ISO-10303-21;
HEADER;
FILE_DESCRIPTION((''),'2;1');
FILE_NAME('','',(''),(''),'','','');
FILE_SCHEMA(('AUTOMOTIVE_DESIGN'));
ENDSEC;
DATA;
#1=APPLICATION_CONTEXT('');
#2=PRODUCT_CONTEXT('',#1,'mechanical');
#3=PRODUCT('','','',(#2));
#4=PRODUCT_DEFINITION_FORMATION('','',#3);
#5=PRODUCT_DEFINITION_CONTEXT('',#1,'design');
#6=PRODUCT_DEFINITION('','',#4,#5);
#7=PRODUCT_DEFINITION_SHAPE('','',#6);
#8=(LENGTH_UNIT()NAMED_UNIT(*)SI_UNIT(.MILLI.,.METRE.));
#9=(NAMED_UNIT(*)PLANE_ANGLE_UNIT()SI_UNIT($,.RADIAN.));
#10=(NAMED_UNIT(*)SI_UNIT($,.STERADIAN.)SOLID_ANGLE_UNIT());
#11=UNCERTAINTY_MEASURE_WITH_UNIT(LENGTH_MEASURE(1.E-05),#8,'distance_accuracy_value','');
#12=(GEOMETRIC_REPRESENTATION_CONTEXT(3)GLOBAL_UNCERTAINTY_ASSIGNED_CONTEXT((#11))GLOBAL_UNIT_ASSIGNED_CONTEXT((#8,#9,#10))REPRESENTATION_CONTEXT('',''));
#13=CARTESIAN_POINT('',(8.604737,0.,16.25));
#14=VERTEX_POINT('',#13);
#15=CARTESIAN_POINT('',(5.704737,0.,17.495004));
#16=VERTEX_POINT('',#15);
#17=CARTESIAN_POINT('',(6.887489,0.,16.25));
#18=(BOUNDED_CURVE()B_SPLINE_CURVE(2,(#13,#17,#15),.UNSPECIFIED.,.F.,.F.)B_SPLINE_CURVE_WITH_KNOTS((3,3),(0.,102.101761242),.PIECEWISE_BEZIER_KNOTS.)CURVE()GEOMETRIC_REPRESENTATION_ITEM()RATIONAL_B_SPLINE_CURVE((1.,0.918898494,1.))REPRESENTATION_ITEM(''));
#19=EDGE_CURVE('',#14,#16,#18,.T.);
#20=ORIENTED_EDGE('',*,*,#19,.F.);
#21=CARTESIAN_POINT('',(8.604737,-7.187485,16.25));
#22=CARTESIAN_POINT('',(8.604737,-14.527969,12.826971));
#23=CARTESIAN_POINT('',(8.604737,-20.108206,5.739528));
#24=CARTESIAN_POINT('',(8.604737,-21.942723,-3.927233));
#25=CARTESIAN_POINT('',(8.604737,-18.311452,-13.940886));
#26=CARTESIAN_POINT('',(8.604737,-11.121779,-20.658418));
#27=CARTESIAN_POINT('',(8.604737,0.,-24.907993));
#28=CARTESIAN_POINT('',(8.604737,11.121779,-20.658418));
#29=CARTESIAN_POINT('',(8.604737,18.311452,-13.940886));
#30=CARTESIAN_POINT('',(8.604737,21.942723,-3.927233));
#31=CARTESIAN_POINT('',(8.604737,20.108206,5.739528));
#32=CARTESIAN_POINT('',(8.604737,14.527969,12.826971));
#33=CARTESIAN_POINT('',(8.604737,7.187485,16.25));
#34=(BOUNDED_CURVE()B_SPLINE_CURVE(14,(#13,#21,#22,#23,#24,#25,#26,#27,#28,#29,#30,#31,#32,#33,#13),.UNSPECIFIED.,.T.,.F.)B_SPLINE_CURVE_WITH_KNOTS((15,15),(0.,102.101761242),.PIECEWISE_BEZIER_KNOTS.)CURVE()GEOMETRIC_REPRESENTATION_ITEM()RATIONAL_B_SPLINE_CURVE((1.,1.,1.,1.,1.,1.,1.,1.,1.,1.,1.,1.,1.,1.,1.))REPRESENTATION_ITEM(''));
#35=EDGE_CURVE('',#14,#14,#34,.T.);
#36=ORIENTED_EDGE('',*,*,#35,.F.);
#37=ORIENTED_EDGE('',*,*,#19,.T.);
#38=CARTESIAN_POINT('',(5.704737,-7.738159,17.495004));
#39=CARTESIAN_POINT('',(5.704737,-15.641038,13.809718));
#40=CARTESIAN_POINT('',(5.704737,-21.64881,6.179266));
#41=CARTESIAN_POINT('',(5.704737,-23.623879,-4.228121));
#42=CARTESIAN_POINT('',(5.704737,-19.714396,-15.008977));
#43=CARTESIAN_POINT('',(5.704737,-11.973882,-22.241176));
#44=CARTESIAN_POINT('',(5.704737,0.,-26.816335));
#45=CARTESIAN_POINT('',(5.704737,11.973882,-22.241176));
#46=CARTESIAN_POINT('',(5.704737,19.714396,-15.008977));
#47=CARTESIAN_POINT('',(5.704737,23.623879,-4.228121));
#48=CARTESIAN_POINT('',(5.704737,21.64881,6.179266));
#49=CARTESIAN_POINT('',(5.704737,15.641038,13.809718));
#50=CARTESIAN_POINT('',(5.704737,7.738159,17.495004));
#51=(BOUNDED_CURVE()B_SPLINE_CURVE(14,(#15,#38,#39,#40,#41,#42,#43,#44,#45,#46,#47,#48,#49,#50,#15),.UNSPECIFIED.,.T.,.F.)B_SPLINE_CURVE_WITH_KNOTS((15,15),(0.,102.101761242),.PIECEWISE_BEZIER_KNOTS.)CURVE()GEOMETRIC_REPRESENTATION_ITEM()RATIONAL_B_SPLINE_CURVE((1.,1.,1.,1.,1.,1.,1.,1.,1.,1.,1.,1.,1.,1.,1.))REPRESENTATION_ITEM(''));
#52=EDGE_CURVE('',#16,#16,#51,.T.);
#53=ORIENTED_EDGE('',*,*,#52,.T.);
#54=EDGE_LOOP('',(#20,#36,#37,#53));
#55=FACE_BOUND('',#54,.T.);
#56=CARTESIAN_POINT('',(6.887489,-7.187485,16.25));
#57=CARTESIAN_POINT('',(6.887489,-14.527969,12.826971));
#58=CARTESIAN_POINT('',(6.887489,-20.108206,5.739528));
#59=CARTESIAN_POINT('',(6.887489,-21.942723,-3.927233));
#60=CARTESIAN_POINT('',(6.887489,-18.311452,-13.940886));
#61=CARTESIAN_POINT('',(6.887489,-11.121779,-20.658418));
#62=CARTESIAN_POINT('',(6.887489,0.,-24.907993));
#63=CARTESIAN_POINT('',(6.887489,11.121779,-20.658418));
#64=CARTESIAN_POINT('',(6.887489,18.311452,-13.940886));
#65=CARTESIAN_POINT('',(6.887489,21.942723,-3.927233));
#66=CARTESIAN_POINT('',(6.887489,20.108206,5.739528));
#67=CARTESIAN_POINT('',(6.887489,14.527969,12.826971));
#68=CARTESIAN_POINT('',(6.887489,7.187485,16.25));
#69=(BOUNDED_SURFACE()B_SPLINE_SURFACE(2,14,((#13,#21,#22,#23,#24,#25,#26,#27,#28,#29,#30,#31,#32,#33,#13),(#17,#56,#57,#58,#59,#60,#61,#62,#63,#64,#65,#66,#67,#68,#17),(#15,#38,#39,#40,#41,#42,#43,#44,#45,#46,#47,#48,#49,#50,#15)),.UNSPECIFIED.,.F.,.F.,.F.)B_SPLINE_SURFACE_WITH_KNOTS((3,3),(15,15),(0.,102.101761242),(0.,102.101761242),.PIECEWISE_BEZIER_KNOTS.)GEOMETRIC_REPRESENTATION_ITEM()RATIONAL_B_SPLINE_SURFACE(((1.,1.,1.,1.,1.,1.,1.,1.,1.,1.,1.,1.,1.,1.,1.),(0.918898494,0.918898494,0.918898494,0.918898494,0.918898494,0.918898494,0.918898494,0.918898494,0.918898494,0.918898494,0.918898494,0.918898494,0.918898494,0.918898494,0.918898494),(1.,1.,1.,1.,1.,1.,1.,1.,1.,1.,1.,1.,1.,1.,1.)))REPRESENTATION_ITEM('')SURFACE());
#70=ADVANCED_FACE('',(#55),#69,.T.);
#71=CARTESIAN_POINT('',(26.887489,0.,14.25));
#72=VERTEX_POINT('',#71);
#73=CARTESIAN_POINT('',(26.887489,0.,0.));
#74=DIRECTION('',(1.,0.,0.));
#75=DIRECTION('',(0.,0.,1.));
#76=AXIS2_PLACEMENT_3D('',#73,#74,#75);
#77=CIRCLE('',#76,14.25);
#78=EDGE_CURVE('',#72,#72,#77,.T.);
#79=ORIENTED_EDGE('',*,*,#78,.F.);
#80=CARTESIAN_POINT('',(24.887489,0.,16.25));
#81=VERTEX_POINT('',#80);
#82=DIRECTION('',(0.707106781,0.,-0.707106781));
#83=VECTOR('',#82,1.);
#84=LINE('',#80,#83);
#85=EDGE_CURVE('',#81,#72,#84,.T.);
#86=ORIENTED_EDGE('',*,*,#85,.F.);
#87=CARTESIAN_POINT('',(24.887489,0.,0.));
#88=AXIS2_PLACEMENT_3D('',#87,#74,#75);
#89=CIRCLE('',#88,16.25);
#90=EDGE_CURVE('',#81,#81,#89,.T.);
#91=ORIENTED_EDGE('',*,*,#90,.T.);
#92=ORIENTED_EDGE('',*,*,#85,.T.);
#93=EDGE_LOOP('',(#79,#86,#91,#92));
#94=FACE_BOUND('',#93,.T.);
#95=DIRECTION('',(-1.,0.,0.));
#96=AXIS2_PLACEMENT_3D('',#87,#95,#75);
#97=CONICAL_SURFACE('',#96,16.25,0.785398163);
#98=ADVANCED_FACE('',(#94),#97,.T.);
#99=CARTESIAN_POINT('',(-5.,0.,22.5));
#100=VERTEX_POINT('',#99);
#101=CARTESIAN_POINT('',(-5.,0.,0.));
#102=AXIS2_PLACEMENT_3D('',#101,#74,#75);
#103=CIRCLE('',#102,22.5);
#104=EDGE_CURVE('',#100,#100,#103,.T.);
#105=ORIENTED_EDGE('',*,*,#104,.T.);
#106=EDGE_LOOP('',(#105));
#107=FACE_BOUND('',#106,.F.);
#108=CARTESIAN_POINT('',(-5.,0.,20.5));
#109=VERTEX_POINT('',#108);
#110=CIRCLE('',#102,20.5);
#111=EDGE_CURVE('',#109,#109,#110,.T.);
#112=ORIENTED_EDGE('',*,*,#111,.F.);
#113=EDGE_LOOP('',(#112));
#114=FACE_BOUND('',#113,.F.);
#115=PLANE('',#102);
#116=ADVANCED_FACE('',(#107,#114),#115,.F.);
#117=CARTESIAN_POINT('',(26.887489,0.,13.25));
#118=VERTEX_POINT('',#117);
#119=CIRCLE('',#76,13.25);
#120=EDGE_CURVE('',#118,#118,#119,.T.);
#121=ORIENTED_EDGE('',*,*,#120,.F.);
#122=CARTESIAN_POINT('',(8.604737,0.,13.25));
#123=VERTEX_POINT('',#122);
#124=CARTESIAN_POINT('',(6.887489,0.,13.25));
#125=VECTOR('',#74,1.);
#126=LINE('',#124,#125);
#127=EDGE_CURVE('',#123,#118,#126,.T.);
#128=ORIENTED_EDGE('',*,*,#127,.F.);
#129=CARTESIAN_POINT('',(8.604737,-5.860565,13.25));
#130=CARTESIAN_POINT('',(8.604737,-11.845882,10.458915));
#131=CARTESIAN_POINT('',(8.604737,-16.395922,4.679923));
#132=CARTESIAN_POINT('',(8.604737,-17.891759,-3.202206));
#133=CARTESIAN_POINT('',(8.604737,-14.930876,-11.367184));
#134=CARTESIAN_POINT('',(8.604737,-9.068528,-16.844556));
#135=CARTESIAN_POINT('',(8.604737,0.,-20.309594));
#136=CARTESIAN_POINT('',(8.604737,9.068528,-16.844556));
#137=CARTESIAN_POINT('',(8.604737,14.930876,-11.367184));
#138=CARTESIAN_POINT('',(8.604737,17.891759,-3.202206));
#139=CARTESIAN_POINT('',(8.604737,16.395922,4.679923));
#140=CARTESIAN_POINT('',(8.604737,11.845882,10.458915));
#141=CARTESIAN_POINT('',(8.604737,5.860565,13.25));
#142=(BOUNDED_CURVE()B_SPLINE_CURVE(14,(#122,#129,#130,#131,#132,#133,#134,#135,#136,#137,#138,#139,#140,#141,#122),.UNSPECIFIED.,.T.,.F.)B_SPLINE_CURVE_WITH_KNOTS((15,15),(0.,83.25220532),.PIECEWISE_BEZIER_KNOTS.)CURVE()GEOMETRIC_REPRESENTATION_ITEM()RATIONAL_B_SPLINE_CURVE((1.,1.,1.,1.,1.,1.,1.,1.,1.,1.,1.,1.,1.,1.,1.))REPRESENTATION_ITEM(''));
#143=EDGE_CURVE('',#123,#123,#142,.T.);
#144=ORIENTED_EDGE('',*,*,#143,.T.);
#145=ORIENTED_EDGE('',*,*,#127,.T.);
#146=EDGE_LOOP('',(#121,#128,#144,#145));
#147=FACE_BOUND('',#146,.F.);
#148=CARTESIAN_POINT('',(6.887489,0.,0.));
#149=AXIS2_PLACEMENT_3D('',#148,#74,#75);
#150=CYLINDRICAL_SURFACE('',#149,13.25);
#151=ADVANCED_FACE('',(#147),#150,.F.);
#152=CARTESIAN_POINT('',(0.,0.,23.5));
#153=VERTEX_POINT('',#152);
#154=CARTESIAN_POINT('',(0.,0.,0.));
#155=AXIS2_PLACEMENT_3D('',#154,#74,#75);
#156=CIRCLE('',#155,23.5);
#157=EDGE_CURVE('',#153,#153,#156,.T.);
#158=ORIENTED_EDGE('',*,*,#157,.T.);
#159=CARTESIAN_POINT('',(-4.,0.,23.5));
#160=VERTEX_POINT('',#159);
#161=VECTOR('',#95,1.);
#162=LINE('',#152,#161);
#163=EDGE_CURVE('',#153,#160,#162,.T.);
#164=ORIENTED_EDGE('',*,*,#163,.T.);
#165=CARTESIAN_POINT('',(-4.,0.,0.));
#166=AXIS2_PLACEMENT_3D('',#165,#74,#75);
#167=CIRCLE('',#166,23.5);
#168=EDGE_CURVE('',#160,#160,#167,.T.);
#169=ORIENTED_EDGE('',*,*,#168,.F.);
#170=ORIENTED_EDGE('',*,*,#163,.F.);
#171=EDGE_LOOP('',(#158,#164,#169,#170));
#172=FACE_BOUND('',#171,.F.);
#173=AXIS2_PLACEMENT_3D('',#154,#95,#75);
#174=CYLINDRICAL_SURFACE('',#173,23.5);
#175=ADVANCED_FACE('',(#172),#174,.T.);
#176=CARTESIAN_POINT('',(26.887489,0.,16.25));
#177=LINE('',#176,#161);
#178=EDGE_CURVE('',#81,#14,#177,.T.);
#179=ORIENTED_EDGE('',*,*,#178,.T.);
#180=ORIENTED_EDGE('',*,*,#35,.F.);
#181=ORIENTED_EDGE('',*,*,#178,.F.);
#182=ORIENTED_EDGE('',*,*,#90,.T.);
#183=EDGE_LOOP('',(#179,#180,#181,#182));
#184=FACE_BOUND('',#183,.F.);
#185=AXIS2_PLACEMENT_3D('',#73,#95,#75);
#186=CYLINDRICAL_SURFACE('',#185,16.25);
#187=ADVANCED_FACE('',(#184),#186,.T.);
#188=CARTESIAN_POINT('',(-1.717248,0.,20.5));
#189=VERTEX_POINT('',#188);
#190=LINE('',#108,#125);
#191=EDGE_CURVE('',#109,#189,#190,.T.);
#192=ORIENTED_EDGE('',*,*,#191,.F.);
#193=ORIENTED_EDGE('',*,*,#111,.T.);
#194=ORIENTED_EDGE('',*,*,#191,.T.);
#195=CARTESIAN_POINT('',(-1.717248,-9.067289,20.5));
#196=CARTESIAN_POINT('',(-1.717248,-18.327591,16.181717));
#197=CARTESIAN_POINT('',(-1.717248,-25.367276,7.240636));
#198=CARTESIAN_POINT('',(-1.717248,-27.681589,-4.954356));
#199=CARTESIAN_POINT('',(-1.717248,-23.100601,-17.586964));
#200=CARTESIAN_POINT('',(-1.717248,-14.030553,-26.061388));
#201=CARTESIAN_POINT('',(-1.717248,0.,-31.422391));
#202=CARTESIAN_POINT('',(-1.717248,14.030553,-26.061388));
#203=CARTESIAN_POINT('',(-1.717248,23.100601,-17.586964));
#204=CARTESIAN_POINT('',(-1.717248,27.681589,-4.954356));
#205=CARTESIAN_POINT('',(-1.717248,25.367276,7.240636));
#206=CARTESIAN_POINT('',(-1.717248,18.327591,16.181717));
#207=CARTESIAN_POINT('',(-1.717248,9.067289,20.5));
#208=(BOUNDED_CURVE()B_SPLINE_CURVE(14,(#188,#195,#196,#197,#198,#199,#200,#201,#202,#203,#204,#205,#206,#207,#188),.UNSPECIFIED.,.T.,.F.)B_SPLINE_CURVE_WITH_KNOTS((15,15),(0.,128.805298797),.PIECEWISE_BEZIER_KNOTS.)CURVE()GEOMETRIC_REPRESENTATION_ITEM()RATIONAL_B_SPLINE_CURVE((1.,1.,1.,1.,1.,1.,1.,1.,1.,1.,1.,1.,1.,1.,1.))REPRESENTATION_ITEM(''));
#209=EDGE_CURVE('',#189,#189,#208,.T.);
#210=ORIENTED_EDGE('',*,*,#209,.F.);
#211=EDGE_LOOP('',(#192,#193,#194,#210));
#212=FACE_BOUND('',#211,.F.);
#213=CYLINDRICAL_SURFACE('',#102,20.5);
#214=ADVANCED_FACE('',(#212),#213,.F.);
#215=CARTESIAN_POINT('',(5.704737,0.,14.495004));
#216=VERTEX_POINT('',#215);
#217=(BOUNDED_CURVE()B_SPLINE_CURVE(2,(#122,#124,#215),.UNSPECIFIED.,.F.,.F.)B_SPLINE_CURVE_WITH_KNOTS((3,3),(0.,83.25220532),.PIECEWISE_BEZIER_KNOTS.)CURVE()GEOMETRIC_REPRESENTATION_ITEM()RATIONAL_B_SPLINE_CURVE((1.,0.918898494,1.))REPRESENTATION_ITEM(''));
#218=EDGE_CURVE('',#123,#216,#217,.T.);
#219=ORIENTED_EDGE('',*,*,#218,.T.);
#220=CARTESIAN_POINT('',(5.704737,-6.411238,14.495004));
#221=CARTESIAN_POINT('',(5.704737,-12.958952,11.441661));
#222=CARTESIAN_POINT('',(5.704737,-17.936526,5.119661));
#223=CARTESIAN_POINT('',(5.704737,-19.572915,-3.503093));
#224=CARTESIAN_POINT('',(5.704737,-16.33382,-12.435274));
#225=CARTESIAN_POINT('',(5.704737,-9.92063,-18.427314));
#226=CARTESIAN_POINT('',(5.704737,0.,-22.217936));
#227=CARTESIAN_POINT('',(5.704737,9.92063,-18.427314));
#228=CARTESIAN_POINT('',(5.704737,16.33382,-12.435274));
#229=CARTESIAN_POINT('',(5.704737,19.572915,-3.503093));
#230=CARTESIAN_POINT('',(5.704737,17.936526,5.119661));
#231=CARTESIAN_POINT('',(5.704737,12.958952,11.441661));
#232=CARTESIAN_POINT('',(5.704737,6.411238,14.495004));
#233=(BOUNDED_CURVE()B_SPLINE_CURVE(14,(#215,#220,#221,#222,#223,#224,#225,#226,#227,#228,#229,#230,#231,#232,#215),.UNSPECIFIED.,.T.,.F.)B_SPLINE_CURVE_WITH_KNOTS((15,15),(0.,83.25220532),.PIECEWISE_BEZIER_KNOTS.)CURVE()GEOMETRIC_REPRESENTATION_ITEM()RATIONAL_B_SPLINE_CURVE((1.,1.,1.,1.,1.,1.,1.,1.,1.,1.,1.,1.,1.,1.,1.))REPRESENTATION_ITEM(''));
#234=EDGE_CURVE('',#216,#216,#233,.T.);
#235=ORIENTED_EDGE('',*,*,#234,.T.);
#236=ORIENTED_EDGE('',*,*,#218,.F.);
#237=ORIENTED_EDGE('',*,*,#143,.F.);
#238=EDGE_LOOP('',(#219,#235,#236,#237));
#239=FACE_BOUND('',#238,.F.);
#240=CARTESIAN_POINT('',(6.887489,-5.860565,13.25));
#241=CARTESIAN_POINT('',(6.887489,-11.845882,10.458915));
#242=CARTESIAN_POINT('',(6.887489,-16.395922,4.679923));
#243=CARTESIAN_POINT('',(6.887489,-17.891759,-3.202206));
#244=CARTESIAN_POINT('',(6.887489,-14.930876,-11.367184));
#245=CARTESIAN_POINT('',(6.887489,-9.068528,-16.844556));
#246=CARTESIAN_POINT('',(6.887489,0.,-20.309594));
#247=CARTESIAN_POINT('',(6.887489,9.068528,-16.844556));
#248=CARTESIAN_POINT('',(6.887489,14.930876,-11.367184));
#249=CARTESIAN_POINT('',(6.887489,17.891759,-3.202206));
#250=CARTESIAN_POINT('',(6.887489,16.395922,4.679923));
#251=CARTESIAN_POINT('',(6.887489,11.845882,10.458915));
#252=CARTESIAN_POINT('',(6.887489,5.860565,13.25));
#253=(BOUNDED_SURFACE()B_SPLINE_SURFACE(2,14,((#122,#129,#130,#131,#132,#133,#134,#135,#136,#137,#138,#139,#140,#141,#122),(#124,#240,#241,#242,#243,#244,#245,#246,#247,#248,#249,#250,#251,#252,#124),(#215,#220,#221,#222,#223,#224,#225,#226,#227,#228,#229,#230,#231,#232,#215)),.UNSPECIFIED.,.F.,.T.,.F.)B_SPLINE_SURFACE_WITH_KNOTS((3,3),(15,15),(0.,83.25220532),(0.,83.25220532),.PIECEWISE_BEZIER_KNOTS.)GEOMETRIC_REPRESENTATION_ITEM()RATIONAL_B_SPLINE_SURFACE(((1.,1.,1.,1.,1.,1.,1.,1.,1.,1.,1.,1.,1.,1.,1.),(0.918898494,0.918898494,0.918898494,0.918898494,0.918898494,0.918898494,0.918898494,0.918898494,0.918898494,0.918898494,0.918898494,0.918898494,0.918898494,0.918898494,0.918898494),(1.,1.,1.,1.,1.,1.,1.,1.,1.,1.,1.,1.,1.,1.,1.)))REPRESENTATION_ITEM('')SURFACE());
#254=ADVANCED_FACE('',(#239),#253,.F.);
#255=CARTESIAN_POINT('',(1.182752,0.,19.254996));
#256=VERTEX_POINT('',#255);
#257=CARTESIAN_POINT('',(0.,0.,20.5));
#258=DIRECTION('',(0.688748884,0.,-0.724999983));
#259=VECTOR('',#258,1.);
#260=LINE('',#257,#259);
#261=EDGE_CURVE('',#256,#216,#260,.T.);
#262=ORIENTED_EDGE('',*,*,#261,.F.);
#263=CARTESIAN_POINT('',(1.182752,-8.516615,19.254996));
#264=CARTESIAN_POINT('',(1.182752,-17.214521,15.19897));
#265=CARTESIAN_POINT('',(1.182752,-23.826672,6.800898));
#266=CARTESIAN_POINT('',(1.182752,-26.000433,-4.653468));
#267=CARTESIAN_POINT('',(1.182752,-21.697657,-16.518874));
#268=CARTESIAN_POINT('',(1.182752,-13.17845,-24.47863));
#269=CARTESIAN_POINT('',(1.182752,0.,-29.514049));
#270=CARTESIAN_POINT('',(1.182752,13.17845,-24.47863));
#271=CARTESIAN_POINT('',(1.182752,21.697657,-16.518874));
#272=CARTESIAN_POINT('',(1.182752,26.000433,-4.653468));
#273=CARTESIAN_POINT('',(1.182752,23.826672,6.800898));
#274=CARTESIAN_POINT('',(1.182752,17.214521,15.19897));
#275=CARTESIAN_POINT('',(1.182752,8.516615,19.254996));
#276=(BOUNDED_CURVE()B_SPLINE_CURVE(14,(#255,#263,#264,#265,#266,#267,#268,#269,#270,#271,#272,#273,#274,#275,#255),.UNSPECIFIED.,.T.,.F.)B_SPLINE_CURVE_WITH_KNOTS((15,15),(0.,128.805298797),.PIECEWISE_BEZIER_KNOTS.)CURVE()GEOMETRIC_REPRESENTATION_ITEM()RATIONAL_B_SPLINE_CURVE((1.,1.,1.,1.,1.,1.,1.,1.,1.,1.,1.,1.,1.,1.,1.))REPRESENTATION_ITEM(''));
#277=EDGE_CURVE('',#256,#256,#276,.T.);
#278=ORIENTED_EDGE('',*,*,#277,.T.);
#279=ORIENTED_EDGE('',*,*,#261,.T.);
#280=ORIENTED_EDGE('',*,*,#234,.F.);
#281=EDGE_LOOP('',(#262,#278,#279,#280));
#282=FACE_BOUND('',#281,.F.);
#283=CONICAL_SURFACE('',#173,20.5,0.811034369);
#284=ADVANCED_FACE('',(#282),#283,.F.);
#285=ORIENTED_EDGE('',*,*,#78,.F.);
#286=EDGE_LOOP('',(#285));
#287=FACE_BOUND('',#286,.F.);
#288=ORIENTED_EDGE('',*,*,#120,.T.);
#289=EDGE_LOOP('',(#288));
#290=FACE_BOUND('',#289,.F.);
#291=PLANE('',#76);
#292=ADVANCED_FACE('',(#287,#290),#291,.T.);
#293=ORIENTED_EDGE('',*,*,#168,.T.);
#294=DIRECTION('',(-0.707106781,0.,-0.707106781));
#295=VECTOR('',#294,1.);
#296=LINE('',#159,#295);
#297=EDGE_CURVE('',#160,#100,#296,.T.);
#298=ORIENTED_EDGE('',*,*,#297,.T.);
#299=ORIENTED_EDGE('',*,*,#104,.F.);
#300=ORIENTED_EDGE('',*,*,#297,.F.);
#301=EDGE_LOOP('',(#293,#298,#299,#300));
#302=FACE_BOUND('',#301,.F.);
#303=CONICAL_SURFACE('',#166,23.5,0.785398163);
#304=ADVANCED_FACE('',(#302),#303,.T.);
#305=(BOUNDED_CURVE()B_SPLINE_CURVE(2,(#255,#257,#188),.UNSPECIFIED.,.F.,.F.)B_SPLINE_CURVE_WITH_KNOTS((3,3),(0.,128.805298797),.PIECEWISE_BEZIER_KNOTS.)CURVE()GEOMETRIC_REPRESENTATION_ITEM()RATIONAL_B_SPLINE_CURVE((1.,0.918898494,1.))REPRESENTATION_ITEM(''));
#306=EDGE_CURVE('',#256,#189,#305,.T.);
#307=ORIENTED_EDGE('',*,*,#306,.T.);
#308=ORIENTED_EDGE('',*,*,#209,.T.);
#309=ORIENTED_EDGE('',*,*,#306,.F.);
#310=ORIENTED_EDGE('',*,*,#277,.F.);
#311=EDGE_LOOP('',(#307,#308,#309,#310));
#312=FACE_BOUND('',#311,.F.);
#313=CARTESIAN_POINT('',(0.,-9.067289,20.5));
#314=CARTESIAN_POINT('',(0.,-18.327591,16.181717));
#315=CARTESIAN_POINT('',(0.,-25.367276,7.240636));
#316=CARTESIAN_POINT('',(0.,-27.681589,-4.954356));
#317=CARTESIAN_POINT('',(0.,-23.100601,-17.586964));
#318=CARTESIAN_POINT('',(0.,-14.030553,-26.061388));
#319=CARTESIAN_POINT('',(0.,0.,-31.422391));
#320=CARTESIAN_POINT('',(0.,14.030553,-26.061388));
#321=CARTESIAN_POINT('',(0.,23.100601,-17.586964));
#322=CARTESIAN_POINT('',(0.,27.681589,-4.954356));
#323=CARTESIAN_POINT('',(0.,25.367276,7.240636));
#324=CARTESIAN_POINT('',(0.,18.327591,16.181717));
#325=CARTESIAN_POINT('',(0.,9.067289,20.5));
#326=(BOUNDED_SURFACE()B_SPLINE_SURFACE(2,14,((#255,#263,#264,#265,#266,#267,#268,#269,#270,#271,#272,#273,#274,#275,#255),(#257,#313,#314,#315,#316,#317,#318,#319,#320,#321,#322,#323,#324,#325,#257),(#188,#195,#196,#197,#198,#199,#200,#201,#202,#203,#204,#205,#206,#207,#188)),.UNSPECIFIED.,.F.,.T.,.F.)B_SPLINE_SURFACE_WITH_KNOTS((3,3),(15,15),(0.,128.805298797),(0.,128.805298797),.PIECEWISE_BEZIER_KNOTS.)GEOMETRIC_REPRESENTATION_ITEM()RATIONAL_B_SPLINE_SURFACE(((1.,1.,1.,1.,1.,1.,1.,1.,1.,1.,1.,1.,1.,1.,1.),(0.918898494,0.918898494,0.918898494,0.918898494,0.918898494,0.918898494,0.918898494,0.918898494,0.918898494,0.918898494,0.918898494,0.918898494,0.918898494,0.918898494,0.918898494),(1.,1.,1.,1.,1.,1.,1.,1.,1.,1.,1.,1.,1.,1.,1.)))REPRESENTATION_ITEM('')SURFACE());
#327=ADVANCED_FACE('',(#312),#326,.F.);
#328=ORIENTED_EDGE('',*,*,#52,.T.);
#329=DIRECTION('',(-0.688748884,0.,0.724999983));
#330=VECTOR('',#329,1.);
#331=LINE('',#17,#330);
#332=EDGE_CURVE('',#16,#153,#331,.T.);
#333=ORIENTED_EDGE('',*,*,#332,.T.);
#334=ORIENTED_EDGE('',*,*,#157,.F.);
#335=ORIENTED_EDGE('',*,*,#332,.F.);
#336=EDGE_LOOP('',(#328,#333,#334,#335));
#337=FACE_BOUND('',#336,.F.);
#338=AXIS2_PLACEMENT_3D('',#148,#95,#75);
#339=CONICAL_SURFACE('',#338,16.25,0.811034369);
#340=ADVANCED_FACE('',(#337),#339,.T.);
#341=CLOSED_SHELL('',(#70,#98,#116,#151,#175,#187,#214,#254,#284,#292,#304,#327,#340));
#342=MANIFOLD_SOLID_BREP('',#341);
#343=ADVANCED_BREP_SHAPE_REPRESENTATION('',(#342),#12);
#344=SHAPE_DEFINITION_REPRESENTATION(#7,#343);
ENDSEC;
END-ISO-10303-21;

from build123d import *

# Parameters (mm, degrees)
F2_SIZE = 1
F3_SIZE = 2
F4_R    = 4


with BuildPart() as f1:
    # F0 (on Front) → F1 (revolve)
    with BuildSketch(Plane.XZ):
        Polygon((0, 23.5), (-5, 23.5), (-5, 20.5), (0, 20.5), (6.887489, 13.25), (26.887489, 13.25), (26.887489, 16.25), (6.887489, 16.25), align=None)
    revolve(axis=Axis((9.662958, 0, 0), (1, 0, 0)))

    # F2
    f2_edges = [f1.edges().sort_by_distance(p)[0] for p in [
        (-5, 0, -23.5),
    ]]
    chamfer(f2_edges, length=F2_SIZE)

    # F3
    f3_edges = [f1.edges().sort_by_distance(p)[0] for p in [
        (26.887489, 0, -16.25),
    ]]
    chamfer(f3_edges, length=F3_SIZE)

    # F4
    f4_edges = [f1.edges().sort_by_distance(p)[0] for p in [
        (6.887489, 0, -16.25),
        (6.887489, 0, -13.25),
        (0, 0, -20.5),
    ]]
    fillet(f4_edges, radius=F4_R)


solid = f1.part
